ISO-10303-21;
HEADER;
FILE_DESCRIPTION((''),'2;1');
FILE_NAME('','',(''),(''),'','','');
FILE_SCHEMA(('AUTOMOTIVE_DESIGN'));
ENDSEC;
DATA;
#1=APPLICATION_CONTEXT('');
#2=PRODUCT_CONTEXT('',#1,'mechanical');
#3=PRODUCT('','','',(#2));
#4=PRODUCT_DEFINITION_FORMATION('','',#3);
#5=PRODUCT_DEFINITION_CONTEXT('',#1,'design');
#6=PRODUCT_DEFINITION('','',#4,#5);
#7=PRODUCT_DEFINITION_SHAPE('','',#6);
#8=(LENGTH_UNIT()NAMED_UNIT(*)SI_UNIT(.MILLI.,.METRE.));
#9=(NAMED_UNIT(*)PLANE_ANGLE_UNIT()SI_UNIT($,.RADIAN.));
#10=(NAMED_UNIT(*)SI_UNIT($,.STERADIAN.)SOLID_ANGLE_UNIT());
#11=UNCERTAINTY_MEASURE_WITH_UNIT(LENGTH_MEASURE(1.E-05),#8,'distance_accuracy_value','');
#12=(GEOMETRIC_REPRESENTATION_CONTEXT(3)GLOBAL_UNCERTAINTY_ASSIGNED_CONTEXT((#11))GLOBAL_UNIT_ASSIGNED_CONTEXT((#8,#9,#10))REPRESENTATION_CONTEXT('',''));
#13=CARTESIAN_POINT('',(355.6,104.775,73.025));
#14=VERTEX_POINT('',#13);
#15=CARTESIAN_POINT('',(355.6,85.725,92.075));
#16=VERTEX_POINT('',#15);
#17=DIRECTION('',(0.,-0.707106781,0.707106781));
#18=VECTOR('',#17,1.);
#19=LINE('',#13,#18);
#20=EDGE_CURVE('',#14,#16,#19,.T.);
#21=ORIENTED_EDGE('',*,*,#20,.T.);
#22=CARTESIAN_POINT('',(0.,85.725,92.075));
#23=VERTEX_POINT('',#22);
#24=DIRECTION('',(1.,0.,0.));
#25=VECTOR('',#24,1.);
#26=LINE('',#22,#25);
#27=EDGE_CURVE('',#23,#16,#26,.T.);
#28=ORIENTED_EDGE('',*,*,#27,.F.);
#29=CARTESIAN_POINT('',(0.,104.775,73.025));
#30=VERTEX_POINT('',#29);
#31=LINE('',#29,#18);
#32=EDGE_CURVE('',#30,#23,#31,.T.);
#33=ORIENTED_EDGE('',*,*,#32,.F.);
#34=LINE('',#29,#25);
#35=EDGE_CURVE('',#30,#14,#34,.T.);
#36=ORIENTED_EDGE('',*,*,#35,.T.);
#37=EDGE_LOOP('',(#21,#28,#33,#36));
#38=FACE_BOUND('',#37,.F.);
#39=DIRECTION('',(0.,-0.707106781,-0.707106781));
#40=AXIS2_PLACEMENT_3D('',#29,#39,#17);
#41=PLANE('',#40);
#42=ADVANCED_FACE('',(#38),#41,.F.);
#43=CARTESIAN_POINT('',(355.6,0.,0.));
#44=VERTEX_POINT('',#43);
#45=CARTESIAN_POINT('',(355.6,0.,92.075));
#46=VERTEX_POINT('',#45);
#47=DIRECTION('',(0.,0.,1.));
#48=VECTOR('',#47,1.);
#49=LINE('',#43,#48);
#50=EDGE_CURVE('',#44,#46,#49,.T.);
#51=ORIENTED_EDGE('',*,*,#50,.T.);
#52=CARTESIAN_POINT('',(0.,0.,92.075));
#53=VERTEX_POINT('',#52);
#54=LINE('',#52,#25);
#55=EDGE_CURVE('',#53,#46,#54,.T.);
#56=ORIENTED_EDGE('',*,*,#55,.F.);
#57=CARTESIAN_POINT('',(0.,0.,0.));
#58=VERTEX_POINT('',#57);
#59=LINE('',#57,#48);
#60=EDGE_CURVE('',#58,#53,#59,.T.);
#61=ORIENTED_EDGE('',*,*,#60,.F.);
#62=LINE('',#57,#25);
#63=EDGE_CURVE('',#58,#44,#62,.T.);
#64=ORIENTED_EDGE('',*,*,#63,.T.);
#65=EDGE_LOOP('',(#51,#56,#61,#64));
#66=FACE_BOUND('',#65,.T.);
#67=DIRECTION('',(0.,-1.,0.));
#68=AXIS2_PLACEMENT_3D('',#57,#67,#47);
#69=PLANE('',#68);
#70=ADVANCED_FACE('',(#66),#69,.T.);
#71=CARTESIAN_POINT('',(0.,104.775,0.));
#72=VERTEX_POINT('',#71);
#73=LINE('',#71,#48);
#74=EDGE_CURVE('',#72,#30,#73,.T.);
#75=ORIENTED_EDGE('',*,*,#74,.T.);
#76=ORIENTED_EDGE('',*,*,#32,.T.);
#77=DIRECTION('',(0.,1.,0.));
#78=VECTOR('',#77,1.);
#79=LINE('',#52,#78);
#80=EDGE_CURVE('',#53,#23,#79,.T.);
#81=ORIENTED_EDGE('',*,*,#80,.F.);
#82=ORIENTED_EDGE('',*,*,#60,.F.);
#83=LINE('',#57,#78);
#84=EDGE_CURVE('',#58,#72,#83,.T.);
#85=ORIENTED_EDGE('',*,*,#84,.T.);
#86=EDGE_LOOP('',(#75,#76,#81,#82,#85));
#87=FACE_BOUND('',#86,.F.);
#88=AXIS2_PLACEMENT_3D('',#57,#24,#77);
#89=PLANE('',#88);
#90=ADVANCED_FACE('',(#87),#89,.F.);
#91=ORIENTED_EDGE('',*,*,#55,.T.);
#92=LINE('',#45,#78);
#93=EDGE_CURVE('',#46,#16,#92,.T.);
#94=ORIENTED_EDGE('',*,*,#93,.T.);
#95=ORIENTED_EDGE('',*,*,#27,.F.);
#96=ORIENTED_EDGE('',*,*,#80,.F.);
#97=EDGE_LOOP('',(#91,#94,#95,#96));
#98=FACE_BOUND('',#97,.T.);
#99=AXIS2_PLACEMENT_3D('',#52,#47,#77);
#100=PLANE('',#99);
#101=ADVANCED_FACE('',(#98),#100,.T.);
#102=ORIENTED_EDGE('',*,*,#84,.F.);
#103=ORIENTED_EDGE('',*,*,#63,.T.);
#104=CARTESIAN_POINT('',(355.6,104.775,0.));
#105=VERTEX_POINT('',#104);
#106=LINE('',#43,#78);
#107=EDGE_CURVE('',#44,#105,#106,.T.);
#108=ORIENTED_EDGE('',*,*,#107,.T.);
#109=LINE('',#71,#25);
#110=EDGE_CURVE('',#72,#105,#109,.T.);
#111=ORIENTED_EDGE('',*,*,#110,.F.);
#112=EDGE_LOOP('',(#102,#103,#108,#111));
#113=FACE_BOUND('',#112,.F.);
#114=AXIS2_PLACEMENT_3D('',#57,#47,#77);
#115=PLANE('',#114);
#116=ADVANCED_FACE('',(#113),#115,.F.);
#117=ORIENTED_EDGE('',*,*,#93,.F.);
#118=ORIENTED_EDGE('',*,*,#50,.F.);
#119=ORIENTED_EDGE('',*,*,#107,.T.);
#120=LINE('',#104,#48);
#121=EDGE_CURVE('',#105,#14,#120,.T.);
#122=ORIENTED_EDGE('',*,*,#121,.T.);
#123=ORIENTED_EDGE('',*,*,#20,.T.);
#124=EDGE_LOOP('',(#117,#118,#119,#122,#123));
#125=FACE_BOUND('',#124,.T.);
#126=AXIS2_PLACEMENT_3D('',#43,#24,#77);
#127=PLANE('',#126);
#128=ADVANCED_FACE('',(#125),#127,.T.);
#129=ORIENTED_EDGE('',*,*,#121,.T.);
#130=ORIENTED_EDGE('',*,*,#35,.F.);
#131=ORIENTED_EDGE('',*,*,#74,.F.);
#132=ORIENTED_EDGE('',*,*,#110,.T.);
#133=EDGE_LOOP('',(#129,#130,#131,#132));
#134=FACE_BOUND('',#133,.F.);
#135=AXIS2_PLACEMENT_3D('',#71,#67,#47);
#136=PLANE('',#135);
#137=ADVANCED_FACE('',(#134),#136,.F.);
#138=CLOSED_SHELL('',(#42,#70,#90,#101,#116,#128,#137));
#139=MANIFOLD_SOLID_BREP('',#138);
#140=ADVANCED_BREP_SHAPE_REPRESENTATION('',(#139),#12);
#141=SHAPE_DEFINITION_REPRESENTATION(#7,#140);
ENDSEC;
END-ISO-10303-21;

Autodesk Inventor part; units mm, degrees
ref_plane "YZ Plane" through (0, 0, 0) normal (1, 0, 0) x (0, 1, 0)
ref_plane "XZ Plane" through (0, 0, 0) normal (0, 1, 0) x (-1, 0, 0)
ref_plane "XY Plane" through (0, 0, 0) normal (0, 0, 1) x (1, 0, 0)
sketch "Sketch2" plane through (0, 0, 0) normal (1, 0, 0) x (0, 1, 0)
  line L0 (0, 0) -> (0, 92.075)
  line L1 (0, 0) -> (104.775, 0)
  line L2 (104.775, 0) -> (104.775, 73.025)
  line L3 (0, 92.075) -> (85.725, 92.075)
  line L4 (104.775, 73.025) -> (85.725, 92.075)
  dimension "d3" = 92.075
  dimension "d4" = 104.775
  dimension "d5" = 73.025
  dimension "d6" = 85.725
extrude "Extrusion1" add sketch "Sketch2" along normal blind 355.6
properties part number "Wall_cap"
